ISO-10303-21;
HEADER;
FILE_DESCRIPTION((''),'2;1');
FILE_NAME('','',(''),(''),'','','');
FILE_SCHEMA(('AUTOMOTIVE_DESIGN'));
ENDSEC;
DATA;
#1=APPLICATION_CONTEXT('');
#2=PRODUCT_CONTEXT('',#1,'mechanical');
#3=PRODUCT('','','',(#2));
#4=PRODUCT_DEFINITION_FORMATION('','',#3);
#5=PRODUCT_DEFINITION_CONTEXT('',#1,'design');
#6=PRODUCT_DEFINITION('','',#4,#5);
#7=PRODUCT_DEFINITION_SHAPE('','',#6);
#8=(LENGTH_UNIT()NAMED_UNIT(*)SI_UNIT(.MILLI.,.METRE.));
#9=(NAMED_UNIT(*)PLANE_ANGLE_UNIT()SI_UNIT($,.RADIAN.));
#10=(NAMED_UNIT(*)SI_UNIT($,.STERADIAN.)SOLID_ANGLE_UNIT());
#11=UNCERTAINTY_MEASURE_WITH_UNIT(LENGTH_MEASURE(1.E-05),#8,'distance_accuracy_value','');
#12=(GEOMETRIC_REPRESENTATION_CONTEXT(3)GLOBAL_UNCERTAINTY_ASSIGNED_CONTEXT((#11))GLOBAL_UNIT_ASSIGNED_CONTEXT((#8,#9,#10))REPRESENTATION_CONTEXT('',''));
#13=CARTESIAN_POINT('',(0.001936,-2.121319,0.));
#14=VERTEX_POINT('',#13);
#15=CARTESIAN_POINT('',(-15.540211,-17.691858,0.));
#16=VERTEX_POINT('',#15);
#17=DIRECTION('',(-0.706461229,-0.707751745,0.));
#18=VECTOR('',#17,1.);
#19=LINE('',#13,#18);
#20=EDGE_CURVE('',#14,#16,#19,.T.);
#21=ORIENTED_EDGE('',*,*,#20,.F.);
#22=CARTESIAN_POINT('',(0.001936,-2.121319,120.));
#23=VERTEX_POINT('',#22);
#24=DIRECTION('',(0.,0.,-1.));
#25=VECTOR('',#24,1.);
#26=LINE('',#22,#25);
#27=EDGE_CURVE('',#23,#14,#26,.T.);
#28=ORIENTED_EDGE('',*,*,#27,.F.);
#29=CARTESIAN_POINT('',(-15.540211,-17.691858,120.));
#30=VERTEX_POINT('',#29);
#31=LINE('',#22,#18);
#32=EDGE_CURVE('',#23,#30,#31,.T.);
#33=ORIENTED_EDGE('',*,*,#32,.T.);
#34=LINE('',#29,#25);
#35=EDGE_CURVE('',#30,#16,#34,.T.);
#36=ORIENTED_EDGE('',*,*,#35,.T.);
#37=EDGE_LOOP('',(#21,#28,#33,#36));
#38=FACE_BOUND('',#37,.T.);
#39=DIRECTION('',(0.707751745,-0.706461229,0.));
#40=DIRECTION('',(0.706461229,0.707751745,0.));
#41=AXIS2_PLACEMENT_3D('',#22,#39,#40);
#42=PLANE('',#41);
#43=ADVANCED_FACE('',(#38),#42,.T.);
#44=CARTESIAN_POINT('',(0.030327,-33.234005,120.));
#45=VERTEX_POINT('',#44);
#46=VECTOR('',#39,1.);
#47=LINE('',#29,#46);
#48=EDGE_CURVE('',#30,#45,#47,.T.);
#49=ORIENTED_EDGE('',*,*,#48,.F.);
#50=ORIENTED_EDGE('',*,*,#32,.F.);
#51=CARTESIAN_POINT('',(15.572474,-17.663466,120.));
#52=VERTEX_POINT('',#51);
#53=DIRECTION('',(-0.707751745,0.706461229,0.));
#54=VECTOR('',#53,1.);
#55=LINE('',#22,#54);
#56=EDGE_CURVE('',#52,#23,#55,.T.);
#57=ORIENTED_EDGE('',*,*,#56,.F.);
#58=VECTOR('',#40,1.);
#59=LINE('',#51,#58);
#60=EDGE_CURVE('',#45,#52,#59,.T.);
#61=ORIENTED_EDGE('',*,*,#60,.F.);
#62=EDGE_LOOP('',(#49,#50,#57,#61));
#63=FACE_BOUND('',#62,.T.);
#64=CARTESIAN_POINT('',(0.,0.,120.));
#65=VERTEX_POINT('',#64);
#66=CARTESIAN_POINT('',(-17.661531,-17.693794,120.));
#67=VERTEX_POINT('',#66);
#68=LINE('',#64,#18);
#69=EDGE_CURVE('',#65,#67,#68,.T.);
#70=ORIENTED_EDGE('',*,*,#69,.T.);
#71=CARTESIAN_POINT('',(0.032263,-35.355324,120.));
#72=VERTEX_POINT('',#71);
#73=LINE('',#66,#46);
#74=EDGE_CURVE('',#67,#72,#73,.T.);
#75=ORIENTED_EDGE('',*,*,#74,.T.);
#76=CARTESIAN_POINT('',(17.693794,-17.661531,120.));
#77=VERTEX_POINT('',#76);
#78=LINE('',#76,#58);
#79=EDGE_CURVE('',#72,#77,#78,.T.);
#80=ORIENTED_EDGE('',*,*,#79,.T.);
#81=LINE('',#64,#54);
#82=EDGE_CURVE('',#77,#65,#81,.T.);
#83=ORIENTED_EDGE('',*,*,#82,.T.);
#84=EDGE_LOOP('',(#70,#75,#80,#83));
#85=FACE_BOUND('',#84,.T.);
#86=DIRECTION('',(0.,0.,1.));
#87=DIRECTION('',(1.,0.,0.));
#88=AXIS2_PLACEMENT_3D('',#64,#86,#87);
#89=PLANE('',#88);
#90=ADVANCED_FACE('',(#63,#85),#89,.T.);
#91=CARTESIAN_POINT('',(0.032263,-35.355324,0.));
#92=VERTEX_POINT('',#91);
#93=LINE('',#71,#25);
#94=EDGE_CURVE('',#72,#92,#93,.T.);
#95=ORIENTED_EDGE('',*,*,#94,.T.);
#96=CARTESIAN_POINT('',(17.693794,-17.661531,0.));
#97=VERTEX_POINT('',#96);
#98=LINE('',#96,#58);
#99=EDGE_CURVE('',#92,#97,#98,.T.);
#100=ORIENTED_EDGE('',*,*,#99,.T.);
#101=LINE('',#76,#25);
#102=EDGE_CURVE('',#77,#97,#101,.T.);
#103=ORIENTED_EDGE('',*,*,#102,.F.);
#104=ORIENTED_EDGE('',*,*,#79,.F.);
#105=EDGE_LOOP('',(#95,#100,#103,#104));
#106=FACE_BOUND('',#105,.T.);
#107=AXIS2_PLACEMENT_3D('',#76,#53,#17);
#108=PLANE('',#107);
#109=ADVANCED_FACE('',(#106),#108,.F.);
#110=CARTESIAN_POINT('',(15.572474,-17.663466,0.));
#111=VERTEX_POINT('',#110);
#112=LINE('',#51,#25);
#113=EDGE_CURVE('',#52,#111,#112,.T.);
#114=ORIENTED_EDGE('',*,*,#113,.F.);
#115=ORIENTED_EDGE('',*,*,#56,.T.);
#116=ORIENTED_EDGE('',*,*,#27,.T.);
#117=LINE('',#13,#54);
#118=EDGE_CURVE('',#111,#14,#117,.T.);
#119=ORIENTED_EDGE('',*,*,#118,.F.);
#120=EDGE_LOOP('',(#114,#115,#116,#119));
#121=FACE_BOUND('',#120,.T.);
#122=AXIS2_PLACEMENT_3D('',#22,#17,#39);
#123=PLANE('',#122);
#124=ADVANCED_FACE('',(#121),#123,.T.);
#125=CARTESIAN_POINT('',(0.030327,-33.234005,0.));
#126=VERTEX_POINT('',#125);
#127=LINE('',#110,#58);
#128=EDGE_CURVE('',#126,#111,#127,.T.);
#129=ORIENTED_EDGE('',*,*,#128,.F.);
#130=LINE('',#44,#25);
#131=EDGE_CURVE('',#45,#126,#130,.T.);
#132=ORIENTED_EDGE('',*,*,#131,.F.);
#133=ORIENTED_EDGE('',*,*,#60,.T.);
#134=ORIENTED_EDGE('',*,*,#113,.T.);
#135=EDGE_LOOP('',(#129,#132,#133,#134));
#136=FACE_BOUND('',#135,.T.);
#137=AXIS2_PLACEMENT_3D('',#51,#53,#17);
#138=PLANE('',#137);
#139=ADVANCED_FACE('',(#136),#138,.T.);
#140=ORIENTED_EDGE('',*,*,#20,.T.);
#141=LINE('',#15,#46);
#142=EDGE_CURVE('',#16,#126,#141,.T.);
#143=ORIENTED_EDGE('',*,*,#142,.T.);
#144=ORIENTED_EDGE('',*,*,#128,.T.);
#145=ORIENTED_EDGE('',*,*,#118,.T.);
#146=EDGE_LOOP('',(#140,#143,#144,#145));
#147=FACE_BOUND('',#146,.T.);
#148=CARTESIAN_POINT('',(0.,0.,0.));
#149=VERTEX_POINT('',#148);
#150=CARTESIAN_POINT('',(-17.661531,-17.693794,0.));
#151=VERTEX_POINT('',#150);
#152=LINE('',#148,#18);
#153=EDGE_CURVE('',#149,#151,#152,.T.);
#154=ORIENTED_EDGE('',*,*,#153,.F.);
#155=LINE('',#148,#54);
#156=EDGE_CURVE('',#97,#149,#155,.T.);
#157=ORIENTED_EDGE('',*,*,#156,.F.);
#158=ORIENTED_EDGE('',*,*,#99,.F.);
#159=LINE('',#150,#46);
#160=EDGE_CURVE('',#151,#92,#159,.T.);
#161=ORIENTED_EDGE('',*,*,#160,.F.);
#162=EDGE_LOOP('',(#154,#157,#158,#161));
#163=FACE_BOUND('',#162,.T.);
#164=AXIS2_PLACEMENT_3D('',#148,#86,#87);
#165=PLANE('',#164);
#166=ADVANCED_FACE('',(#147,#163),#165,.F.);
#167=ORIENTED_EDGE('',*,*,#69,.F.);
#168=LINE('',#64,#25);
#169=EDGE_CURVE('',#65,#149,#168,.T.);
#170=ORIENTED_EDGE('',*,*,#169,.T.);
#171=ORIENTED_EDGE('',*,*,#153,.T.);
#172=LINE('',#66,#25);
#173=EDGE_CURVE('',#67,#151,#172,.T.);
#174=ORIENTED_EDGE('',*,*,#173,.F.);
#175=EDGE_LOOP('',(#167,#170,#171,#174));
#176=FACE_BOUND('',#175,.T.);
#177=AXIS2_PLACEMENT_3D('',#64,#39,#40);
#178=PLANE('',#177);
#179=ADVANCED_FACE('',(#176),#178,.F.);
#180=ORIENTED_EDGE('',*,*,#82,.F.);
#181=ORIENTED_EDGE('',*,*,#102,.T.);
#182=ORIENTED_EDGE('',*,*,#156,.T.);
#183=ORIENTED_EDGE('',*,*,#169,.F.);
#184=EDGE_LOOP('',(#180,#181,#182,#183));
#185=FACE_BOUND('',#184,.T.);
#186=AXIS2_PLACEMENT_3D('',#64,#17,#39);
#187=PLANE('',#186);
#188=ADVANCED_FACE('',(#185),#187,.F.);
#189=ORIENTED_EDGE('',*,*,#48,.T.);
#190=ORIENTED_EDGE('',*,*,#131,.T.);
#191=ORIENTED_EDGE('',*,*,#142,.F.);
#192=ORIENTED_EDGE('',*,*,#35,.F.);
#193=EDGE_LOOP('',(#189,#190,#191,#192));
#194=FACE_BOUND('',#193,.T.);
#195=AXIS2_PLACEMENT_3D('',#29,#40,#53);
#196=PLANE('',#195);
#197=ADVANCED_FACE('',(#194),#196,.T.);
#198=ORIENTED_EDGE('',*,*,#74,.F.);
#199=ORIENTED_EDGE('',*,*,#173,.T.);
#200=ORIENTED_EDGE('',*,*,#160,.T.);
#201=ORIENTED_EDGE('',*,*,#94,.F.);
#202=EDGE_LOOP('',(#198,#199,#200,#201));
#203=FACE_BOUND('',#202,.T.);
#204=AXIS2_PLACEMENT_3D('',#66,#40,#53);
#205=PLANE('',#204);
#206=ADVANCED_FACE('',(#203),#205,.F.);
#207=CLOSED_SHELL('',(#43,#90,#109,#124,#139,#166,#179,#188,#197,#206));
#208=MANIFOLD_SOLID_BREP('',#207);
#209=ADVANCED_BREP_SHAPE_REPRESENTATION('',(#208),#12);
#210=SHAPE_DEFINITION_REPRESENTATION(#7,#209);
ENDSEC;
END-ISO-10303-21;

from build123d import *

# Parameters (mm, degrees)
EXTRUDE_1_DEPTH = 120


with BuildPart() as part:
    # 草圖1 → 填料-伸長1 (new body)
    with BuildSketch(Plane.XY):
        Polygon((0, 0), (17.69379362, -17.661530719), (0.032262901, -35.355324339), (-17.661530719, -17.69379362), align=None)
        Polygon((0.001935774, -2.12131946), (-15.540211259, -17.691857846), (0.030327127, -33.234004879), (15.57247416, -17.663466493), align=None, mode=Mode.SUBTRACT)
    extrude(amount=EXTRUDE_1_DEPTH)


solid = part.part
